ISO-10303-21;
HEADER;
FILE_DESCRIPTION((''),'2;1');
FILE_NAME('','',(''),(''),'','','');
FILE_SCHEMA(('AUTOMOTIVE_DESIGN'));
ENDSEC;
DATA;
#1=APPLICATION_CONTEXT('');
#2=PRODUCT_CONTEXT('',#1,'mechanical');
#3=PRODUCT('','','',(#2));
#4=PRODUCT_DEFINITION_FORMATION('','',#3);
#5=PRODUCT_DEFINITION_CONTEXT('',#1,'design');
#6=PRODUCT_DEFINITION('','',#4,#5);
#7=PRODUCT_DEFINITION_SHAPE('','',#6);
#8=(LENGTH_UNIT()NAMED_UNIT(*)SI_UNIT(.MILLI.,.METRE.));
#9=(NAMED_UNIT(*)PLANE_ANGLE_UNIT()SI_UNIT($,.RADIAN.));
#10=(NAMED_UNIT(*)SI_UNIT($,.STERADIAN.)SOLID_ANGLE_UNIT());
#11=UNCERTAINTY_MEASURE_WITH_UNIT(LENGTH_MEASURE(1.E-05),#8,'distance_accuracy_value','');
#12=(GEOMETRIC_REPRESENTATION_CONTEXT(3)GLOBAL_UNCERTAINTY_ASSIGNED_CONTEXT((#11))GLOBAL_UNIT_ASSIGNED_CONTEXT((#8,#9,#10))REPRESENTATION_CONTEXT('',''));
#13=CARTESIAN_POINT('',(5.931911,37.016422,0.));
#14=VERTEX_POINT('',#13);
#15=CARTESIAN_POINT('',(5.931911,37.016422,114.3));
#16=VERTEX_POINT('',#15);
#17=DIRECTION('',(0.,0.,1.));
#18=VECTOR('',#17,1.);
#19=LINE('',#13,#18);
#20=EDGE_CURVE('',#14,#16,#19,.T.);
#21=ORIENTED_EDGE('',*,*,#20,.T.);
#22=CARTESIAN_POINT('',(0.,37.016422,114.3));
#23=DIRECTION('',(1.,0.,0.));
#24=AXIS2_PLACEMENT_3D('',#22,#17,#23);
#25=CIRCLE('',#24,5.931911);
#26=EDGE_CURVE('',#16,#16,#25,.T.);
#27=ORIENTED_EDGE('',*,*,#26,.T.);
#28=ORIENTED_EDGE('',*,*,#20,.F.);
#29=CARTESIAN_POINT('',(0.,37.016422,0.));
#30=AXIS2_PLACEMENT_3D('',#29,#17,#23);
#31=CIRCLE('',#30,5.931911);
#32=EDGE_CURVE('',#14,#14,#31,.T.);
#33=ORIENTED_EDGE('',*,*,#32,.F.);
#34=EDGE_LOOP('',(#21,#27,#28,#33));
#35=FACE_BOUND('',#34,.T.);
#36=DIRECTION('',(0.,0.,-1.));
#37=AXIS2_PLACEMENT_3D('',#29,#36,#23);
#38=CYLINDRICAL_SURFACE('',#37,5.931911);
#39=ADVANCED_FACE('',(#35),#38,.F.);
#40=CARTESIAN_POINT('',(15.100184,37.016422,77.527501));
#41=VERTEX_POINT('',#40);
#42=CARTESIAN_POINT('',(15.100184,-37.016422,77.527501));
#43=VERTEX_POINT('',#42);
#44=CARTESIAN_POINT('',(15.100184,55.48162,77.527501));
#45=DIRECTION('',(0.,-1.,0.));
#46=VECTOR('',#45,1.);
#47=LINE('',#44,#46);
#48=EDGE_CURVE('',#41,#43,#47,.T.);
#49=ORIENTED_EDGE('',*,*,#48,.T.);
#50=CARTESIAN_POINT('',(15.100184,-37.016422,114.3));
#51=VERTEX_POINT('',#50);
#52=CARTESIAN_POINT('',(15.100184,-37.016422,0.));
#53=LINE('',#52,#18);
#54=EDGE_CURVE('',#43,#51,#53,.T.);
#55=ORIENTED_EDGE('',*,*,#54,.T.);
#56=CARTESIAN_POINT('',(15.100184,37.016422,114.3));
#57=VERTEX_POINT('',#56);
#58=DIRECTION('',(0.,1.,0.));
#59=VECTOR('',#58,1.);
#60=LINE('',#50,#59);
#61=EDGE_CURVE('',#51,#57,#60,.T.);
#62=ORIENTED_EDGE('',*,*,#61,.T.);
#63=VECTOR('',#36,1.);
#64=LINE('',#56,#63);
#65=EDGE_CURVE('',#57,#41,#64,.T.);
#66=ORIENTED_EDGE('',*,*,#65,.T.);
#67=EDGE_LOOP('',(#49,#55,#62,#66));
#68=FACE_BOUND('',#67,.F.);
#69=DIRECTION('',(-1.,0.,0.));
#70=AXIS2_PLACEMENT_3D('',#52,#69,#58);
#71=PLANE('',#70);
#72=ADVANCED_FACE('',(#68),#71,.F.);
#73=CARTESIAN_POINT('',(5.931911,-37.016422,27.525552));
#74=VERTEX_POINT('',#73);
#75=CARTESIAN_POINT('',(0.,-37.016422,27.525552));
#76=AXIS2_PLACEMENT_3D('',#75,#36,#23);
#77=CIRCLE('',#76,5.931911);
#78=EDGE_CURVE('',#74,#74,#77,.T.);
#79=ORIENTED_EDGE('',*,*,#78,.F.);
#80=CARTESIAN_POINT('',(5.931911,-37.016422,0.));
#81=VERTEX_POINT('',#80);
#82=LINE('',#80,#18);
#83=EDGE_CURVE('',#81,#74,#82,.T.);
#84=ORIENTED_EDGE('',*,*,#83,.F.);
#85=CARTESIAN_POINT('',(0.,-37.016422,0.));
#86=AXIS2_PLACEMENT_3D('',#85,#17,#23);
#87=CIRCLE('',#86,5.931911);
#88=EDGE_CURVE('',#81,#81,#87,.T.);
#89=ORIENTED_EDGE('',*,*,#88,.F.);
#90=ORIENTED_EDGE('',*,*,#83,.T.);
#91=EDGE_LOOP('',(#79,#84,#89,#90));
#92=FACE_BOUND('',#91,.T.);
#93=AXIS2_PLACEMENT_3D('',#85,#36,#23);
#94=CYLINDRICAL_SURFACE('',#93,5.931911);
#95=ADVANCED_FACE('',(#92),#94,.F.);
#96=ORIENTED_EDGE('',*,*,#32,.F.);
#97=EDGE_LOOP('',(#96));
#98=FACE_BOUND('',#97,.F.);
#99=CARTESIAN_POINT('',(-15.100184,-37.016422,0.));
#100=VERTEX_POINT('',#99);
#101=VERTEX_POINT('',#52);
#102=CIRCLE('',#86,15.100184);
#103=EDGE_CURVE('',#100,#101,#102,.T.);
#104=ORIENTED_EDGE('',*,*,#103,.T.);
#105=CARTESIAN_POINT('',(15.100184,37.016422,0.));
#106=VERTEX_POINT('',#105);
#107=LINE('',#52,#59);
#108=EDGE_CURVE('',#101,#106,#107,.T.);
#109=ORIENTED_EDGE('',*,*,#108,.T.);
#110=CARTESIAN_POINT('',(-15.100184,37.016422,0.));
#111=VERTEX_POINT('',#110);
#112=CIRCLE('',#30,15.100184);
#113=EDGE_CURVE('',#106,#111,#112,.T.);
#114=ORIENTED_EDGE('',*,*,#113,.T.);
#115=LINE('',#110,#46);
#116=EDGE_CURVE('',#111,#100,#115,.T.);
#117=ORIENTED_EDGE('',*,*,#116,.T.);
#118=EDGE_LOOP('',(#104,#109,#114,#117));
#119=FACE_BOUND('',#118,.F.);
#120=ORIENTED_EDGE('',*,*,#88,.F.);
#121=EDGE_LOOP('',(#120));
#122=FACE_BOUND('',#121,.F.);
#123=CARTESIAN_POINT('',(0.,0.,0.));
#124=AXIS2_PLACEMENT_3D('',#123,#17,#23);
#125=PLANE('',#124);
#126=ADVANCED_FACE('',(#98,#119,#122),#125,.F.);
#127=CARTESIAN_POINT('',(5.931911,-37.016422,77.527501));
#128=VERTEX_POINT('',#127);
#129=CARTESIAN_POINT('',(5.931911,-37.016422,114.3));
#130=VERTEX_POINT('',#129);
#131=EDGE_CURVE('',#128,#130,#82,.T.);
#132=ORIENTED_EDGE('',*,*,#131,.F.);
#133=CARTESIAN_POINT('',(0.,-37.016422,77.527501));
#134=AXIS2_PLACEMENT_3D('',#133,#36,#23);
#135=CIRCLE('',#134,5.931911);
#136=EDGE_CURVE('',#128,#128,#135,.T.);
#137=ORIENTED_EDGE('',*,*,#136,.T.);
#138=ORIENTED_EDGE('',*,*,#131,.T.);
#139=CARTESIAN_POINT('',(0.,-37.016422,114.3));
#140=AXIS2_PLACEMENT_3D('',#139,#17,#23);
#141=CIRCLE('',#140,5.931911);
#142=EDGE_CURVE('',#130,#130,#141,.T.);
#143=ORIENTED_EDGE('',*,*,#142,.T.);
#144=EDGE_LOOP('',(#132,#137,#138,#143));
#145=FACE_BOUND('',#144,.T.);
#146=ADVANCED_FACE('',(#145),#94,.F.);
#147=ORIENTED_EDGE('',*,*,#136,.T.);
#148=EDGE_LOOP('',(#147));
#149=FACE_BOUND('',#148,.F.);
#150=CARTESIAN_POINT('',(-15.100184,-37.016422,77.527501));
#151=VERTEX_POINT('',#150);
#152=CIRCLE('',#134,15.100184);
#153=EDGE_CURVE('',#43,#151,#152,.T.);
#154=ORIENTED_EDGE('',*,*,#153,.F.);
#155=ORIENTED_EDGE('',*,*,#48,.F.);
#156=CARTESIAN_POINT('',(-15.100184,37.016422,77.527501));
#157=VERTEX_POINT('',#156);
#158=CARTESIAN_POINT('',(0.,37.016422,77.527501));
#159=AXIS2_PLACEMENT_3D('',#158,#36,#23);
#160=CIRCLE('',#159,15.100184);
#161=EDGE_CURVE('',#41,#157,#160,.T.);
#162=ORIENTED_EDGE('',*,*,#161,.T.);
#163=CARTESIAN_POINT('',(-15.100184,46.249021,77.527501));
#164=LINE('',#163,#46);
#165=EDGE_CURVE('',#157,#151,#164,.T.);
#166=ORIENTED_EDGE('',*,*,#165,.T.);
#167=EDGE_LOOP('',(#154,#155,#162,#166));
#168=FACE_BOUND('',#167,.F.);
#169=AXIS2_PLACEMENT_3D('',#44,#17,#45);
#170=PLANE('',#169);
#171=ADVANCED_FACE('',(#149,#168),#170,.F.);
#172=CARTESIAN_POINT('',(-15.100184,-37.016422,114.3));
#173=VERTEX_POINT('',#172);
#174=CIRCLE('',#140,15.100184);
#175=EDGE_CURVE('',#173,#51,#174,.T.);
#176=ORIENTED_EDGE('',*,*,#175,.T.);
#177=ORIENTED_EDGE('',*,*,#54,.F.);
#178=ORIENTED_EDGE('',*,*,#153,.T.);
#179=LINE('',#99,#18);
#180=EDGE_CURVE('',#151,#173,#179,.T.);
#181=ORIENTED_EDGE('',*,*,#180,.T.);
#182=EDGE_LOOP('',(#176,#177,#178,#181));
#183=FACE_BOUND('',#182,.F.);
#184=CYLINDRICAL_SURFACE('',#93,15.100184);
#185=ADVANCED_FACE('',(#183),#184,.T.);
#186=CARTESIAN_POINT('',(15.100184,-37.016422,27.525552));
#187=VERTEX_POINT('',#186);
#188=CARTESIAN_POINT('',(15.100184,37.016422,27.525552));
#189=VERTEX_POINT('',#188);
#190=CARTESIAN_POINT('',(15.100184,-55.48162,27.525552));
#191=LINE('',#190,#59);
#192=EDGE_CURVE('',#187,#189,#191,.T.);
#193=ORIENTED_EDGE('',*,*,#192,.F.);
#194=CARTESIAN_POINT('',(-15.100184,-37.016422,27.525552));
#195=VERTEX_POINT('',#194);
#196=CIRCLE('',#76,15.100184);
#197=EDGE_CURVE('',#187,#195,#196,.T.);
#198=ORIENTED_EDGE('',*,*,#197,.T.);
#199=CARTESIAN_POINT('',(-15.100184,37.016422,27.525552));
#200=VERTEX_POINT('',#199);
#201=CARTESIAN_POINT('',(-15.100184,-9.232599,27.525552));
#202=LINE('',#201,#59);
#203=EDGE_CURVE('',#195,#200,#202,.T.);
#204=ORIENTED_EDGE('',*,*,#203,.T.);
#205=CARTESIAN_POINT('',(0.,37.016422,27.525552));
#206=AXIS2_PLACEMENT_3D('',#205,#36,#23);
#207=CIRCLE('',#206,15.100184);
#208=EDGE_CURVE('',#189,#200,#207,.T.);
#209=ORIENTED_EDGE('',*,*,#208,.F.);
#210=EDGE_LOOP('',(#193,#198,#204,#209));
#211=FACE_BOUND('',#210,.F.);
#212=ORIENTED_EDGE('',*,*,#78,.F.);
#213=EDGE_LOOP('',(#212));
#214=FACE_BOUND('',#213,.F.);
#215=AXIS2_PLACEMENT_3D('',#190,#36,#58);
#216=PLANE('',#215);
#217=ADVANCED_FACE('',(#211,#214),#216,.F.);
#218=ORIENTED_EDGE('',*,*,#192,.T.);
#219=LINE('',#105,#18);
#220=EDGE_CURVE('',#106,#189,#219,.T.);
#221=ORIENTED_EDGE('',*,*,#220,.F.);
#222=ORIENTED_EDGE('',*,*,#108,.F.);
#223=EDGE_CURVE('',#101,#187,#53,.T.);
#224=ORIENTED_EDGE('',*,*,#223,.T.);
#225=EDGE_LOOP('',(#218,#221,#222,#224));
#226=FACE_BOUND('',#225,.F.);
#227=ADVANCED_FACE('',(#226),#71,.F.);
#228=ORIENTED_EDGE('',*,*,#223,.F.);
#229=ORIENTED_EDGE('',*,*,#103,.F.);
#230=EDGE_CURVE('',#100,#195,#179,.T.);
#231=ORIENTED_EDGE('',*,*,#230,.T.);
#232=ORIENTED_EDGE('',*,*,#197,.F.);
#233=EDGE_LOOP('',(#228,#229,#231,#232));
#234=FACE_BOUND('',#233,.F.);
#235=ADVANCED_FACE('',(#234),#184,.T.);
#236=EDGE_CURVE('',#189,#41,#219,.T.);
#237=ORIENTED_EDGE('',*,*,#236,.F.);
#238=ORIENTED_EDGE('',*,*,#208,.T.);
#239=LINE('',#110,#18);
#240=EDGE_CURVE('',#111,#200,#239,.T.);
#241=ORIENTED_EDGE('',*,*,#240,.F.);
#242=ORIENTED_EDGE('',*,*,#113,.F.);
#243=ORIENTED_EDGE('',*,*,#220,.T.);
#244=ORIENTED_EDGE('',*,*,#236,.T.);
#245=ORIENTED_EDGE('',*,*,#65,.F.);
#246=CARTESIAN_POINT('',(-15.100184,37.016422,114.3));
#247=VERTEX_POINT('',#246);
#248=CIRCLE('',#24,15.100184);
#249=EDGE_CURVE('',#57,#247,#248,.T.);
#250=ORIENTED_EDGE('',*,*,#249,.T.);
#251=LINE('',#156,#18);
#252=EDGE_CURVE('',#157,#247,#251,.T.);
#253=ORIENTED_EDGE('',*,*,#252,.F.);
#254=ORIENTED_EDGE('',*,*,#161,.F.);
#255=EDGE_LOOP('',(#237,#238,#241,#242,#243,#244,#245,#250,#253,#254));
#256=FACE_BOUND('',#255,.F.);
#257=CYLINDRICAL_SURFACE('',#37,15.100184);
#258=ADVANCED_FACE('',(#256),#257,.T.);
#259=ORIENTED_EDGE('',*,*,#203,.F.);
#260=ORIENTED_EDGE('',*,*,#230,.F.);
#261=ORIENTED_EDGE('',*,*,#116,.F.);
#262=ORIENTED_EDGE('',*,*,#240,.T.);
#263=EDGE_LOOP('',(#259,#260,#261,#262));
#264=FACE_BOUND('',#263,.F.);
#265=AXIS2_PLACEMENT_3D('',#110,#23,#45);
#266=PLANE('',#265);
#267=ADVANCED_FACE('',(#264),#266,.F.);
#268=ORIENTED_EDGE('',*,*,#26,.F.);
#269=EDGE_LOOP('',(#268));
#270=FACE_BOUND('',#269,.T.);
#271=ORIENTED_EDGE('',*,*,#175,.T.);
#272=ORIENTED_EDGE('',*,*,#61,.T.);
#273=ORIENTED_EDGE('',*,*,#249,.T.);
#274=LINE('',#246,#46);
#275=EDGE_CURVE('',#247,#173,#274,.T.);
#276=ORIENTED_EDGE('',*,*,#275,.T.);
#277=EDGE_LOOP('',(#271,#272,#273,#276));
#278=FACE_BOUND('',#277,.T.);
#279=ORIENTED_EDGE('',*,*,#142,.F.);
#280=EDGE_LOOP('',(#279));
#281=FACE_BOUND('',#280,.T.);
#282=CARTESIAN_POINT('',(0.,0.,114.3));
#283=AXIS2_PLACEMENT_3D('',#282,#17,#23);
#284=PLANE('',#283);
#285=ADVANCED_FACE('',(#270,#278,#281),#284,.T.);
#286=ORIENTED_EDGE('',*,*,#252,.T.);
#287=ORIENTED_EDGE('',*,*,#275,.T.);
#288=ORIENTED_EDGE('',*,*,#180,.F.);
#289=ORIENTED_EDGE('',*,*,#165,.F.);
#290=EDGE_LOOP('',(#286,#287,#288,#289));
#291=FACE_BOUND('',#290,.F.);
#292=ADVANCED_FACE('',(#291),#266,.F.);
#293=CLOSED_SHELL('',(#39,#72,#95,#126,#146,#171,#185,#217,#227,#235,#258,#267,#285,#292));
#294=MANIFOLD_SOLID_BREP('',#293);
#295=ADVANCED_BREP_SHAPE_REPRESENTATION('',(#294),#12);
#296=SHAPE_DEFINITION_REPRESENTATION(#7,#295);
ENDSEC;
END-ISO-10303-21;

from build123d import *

# Parameters (mm, degrees)
F0_R     = 5.9319111077
F1_DEPTH = 114.3
F2_W     = 74.0328431129
F2_H     = 50.0019490719
F2_W_2   = 18.4651985765
F3_DEPTH = 30.2013677934
F4_DEPTH = 81.026


with BuildPart() as f1:
    # F0 (on Top) → F1 (new body)
    with BuildSketch(Plane.XY):
        with BuildLine():
            Line((15.1001838967, -37.0164215565), (15.1001838967, 37.0164215565))
            ThreePointArc((15.1001838967, 37.0164215565), (0, 21.9162376598), (-15.1001838967, 37.0164215565))
            Line((-15.1001838967, 37.0164215565), (-15.1001838967, -37.0164215565))
            ThreePointArc((-15.1001838967, -37.0164215565), (0, -21.9162376598), (15.1001838967, -37.0164215565))
        make_face()
        with BuildLine():
            ThreePointArc((-15.1001838967, -37.0164215565), (0, -52.1166054532), (15.1001838967, -37.0164215565))
            ThreePointArc((15.1001838967, -37.0164215565), (0, -21.9162376598), (-15.1001838967, -37.0164215565))
        make_face()
        with Locations((0, -37.0164215565)):
            Circle(F0_R, mode=Mode.SUBTRACT)
        with BuildLine():
            ThreePointArc((-15.1001838967, 37.0164215565), (0, 21.9162376598), (15.1001838967, 37.0164215565))
            ThreePointArc((15.1001838967, 37.0164215565), (0, 52.1166054532), (-15.1001838967, 37.0164215565))
        make_face()
        with Locations((0, 37.0164215565)):
            Circle(F0_R, mode=Mode.SUBTRACT)
    extrude(amount=F1_DEPTH)

    # F2 (on face) → F3 (cut, through all)
    with BuildSketch(Plane.YZ.offset(15.1001838967)):
        with Locations((0, 52.5265261531)):
            Rectangle(F2_W, F2_H)
        with Locations((-46.2490208447, 52.5265261531)):
            Rectangle(F2_W_2, F2_H)
        with Locations((46.2490208447, 52.5265261531)):
            Rectangle(F2_W_2, F2_H)
    extrude(amount=-F3_DEPTH, mode=Mode.SUBTRACT)

    # F0 (on Top) → F4 (join)
    with BuildSketch(Plane.XY):
        with BuildLine():
            ThreePointArc((-15.1001838967, 37.0164215565), (0, 21.9162376598), (15.1001838967, 37.0164215565))
            ThreePointArc((15.1001838967, 37.0164215565), (0, 52.1166054532), (-15.1001838967, 37.0164215565))
        make_face()
        with Locations((0, 37.0164215565)):
            Circle(F0_R, mode=Mode.SUBTRACT)
    extrude(amount=F4_DEPTH)


solid = f1.part
